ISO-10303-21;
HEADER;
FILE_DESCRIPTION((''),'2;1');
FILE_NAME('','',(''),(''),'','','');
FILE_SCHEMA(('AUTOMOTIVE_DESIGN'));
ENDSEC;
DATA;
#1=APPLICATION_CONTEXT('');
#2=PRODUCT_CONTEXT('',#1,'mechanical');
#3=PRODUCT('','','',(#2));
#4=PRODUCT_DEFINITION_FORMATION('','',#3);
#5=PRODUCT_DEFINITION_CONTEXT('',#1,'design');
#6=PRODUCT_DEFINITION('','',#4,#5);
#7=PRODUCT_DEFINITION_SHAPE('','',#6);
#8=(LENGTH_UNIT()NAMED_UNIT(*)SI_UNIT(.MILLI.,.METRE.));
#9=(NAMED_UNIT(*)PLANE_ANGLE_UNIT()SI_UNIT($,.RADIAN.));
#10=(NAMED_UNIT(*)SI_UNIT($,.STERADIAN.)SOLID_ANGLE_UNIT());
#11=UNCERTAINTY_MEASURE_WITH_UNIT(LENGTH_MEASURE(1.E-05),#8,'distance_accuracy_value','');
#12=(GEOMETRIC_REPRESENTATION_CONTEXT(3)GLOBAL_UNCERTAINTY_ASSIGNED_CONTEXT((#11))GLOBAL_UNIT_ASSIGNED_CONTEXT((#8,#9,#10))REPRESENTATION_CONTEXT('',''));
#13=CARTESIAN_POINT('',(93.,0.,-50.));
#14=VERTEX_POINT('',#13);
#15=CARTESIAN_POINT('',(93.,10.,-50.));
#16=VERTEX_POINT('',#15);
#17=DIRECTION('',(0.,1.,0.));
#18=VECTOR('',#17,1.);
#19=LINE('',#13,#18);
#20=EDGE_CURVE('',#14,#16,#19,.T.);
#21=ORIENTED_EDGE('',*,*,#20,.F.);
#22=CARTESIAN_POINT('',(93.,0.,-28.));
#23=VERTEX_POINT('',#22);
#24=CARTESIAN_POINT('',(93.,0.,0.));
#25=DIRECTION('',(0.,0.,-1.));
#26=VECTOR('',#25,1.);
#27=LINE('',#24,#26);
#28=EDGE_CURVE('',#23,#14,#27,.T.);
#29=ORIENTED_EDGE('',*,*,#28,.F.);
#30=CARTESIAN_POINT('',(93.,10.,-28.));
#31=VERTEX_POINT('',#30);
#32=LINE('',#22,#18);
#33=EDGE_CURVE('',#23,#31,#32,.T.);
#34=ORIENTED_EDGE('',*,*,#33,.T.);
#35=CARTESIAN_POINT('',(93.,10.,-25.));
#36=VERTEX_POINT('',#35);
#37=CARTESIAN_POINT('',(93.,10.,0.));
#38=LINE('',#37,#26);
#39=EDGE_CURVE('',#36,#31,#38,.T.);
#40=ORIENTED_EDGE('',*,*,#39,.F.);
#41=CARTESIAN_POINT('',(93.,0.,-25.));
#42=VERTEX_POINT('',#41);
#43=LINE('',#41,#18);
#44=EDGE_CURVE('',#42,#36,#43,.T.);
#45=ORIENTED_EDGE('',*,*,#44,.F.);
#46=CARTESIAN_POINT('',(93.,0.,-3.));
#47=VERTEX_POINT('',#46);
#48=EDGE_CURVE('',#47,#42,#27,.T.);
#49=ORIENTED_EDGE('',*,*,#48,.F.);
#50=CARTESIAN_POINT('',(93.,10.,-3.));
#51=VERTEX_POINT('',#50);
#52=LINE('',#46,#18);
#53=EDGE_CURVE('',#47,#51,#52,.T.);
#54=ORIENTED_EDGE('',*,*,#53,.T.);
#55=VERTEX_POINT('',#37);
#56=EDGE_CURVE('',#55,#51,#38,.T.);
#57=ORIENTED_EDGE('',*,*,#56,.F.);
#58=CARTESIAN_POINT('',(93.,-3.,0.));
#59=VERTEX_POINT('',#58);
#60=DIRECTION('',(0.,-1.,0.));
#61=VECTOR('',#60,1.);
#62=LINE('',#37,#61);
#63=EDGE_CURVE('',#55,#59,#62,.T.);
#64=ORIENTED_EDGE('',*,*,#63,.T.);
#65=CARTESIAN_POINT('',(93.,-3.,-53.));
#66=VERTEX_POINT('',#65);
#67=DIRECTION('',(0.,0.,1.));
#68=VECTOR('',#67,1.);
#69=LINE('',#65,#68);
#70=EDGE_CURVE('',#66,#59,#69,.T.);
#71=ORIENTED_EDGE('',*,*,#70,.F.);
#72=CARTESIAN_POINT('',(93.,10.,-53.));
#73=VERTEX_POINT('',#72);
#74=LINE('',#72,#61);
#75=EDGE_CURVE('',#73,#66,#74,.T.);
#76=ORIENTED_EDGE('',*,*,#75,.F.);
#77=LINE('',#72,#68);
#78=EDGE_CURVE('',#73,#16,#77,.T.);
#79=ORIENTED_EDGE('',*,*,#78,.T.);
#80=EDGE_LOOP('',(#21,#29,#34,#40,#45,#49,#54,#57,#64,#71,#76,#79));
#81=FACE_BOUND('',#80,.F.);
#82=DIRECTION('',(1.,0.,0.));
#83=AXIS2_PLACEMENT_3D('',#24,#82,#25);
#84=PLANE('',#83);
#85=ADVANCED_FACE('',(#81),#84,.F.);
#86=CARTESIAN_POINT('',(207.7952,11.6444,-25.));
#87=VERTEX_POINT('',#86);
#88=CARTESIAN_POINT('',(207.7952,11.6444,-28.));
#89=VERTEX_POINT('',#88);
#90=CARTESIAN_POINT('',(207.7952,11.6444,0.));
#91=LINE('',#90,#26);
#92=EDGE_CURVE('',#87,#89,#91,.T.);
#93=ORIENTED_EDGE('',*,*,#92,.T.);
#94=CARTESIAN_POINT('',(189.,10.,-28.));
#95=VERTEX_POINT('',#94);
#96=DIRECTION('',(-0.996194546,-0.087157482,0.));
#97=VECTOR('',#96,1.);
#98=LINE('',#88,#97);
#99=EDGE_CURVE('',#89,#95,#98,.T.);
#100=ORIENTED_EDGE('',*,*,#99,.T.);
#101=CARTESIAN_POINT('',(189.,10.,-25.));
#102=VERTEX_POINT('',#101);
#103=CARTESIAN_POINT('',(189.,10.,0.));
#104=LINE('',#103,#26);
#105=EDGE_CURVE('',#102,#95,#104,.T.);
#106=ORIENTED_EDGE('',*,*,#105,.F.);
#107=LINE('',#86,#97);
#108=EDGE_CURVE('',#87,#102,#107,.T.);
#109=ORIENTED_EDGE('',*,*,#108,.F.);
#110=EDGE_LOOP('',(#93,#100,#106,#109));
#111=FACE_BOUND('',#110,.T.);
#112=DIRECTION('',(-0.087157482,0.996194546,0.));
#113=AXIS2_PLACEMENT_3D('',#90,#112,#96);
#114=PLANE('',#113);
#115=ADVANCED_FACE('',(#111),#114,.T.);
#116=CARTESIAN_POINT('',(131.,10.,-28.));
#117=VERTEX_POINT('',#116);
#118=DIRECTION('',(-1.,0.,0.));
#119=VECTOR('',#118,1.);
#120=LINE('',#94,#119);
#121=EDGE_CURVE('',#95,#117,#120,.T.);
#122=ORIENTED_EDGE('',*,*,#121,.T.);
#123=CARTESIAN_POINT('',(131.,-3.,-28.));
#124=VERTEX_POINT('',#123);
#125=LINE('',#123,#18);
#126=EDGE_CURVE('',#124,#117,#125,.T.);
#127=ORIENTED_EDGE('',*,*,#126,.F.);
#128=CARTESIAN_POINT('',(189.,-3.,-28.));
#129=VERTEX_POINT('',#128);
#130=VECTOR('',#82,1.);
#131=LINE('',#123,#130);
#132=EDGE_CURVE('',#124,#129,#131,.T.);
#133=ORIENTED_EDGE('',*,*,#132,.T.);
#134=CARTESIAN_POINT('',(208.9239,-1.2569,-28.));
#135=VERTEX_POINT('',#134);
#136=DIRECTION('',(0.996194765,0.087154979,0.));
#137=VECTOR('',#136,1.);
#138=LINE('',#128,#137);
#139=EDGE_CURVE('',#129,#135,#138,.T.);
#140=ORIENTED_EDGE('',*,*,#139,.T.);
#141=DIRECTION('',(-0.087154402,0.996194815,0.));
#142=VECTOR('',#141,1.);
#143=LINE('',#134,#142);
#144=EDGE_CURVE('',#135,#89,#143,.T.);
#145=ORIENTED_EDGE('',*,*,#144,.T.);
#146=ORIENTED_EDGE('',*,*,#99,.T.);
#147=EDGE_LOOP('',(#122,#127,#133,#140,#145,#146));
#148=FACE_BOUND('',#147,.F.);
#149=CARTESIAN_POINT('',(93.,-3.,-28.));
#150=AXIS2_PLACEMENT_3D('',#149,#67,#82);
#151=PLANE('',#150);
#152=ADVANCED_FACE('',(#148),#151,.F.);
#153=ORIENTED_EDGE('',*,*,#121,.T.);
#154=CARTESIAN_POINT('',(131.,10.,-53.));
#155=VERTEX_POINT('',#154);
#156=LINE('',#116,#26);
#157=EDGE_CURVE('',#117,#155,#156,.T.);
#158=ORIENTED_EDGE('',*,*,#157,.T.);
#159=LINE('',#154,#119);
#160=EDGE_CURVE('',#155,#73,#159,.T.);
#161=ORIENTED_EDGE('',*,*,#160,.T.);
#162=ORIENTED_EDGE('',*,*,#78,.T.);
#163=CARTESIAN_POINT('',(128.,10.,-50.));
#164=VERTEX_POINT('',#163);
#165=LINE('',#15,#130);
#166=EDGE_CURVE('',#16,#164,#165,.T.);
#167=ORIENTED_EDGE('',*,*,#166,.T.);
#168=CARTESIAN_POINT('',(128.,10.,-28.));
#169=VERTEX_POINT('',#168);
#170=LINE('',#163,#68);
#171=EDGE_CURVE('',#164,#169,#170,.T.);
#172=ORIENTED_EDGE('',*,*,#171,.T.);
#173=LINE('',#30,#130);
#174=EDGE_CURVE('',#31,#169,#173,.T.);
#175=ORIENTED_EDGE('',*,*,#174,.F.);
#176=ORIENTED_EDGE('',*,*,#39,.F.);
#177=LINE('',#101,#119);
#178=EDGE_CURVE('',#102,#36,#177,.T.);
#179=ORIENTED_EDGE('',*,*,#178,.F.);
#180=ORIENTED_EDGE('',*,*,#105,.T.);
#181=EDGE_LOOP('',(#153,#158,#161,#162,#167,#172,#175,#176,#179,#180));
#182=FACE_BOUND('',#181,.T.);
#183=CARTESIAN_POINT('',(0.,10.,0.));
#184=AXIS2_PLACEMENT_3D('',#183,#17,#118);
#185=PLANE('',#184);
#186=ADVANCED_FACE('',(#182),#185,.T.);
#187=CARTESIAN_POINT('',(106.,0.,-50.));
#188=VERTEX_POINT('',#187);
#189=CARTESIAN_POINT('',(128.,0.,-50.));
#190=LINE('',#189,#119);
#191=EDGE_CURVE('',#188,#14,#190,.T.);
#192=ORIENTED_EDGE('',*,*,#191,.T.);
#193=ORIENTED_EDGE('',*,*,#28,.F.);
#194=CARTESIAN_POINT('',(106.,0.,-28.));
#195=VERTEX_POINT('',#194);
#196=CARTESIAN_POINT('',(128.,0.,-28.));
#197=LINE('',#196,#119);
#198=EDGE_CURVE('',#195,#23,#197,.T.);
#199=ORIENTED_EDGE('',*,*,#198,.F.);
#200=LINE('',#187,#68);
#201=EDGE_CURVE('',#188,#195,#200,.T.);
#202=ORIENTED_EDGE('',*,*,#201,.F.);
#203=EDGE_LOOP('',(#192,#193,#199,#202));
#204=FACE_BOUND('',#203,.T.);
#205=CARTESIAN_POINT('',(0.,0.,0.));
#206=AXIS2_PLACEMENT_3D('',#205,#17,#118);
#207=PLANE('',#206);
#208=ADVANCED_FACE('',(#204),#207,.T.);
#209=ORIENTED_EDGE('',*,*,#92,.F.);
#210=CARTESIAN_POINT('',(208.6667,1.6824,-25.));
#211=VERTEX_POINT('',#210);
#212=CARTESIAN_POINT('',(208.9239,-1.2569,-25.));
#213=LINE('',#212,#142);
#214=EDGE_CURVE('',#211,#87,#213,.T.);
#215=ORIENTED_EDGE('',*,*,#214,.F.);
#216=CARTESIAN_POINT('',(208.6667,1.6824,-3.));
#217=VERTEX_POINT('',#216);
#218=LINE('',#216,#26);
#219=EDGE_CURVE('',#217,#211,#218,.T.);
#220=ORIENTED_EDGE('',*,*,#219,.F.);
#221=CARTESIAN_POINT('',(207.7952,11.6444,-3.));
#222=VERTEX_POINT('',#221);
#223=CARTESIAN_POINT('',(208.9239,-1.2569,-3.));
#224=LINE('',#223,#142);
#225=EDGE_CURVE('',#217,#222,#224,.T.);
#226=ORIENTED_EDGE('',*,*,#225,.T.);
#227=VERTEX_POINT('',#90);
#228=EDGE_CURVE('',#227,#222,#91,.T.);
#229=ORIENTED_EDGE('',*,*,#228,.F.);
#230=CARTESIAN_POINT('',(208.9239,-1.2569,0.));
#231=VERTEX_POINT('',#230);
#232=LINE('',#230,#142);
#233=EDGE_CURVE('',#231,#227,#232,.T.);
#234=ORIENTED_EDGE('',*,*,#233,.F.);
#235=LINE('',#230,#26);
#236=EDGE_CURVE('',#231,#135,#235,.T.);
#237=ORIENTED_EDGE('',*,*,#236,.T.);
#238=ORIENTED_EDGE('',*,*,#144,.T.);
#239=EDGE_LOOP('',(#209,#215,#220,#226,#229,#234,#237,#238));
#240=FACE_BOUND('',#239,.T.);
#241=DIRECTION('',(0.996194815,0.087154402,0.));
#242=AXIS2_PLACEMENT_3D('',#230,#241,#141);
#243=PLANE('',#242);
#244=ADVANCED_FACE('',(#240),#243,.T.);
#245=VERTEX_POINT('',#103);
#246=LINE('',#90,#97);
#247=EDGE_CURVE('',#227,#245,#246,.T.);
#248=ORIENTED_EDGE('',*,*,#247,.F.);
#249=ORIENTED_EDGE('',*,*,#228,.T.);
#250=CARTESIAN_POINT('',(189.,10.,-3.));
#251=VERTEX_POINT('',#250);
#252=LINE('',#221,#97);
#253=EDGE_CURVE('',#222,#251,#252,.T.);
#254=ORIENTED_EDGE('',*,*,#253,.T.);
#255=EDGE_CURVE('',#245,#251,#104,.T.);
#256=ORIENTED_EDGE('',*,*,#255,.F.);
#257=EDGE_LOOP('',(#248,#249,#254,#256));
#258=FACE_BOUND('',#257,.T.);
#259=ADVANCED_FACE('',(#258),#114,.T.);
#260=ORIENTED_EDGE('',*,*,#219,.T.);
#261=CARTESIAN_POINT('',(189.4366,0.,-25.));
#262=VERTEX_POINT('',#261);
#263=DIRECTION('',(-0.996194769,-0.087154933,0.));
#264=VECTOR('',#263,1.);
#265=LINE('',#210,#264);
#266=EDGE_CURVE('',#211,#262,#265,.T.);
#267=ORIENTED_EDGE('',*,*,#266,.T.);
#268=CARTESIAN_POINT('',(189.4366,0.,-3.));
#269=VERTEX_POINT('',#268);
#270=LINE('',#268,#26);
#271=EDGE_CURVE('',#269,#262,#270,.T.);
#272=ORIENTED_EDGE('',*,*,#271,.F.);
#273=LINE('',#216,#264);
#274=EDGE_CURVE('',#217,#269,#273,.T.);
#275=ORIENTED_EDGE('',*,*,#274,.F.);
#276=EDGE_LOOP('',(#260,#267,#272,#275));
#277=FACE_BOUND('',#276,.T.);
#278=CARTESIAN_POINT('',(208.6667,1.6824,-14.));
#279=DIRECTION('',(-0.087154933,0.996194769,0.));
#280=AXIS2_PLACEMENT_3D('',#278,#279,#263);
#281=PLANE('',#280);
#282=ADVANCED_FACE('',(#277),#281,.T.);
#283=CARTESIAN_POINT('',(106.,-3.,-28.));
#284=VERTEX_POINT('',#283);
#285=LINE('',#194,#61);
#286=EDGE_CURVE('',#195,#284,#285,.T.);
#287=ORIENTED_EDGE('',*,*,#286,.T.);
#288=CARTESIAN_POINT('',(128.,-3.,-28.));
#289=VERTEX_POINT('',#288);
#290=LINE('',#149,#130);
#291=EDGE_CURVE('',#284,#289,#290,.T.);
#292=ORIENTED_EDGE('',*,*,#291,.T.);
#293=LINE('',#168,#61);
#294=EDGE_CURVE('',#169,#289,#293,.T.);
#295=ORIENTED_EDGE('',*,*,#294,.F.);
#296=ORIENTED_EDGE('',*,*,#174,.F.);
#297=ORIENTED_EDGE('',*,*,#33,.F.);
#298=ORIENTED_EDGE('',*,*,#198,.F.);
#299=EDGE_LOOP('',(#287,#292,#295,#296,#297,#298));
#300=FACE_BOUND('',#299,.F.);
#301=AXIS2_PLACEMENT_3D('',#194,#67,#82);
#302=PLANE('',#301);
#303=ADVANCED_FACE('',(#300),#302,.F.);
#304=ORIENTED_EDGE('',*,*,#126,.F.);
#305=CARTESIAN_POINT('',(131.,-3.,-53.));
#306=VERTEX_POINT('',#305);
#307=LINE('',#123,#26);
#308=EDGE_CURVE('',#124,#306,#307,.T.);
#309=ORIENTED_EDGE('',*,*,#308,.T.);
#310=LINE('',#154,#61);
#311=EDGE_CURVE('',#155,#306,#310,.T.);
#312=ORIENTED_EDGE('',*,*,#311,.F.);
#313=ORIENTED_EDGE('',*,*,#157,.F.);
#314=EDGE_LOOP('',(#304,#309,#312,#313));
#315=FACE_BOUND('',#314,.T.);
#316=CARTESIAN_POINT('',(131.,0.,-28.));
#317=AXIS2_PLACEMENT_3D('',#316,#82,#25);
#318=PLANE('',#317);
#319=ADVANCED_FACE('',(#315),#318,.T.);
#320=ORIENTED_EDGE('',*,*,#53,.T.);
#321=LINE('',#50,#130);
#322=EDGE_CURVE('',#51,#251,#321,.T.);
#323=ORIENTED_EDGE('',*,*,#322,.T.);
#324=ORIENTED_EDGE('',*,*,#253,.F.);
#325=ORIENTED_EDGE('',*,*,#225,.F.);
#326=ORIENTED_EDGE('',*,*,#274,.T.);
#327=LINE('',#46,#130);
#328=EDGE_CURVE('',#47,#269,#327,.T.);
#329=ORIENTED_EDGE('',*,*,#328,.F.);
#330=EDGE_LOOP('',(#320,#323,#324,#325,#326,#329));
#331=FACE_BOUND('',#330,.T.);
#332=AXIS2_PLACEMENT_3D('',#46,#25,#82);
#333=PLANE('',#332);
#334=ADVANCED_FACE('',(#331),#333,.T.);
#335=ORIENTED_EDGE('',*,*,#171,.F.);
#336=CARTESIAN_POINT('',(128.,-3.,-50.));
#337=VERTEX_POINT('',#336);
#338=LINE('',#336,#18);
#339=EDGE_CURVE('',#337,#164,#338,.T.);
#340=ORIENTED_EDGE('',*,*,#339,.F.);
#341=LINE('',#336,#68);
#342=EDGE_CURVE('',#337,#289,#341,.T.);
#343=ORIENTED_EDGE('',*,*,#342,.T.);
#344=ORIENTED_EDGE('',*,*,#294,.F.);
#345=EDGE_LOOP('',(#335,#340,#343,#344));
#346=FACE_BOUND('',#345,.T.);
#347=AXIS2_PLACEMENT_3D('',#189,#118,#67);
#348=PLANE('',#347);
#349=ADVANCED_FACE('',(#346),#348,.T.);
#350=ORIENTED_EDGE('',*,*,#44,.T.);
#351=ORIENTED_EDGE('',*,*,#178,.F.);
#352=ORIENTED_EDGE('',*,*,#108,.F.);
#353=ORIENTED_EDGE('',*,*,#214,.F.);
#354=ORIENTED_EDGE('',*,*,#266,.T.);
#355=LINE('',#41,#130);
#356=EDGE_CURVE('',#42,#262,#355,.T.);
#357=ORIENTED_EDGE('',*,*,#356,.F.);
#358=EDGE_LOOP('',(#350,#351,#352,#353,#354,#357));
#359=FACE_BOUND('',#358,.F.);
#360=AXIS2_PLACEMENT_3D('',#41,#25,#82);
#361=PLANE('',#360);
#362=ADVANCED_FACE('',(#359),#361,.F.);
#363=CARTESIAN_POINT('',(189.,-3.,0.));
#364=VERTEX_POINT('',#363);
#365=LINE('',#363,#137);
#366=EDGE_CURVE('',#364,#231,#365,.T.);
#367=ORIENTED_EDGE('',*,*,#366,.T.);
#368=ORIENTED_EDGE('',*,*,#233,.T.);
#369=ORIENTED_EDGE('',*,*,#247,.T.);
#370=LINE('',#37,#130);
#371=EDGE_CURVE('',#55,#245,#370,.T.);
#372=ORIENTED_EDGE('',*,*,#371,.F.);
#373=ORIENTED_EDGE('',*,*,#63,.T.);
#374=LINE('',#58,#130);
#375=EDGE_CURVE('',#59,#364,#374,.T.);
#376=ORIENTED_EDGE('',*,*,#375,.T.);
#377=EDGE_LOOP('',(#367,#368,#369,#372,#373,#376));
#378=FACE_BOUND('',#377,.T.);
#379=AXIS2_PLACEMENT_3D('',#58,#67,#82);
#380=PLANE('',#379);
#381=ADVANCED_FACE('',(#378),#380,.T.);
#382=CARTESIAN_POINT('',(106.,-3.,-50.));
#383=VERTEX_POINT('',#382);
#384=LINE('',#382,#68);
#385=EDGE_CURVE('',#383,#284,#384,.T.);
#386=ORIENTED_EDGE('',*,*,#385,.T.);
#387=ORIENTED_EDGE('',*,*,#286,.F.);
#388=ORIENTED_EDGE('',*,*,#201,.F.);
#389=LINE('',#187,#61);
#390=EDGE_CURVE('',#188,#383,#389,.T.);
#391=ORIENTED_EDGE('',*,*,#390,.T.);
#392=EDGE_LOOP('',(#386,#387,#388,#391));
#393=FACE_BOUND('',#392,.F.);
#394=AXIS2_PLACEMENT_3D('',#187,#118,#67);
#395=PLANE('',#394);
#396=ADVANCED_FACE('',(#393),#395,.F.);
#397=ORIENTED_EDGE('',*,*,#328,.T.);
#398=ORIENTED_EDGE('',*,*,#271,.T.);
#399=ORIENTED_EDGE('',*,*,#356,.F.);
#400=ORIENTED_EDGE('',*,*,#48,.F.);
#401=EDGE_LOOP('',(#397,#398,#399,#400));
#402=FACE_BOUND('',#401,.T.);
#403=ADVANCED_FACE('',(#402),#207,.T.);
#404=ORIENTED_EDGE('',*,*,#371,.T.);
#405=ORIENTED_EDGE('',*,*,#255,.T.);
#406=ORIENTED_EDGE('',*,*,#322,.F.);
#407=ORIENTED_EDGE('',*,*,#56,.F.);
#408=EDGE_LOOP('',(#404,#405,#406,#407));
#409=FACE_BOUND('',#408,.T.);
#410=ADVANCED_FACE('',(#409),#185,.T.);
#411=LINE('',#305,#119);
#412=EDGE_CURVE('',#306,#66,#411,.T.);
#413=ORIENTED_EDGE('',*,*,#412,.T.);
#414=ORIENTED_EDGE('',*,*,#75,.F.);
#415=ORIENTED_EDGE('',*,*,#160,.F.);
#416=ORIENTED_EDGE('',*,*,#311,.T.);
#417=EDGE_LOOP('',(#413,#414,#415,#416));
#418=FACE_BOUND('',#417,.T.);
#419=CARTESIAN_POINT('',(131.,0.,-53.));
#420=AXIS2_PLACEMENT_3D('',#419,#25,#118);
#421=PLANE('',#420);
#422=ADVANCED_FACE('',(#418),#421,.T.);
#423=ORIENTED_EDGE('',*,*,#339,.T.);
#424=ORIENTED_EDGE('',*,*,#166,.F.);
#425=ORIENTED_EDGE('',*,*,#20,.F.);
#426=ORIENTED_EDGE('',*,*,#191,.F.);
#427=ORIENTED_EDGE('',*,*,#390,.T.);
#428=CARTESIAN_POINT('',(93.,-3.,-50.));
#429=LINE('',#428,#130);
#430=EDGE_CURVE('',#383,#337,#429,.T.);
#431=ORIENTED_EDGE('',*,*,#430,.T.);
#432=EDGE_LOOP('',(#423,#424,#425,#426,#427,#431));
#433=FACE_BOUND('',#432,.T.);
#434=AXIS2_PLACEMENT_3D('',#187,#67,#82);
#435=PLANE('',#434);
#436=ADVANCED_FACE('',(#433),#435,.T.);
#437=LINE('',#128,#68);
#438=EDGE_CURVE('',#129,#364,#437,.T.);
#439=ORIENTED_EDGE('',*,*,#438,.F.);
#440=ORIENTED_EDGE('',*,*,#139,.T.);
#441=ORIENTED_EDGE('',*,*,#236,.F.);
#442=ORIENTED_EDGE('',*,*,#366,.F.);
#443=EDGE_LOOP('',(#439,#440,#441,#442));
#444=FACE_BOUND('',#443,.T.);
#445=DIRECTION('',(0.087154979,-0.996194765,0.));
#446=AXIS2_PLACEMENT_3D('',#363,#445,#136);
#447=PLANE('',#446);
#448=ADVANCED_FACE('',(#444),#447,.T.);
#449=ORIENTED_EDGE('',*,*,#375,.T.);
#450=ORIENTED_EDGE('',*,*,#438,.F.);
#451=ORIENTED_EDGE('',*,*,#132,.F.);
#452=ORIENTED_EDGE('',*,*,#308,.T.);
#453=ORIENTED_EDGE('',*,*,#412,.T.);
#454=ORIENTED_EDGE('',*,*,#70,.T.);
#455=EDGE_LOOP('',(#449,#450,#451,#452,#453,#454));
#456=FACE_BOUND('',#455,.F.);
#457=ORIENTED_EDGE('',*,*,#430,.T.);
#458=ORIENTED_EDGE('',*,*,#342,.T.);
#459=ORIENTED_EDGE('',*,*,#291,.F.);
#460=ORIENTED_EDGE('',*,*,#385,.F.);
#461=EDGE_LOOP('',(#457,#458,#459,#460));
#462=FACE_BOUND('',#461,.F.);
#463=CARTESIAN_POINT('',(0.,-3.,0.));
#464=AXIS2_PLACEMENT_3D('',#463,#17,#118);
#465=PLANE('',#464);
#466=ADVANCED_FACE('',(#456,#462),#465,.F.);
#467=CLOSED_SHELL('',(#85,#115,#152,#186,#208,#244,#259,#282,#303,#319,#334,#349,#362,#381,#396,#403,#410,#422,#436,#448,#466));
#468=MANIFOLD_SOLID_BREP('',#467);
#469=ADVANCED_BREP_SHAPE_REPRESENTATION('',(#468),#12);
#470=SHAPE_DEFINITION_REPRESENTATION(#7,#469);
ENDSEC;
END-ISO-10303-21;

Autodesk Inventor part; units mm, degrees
ref_plane "YZ Plane" through (0, 0, 0) normal (1, 0, 0) x (0, 1, 0)
ref_plane "XZ Plane" through (0, 0, 0) normal (0, 1, 0) x (-1, 0, 0)
sketch "Esboço1" plane through (0, 0, 0) normal (0, 1, 0) x (-1, 0, 0)
  line L0 (-93, -3) -> (0, -3)
  line L1 (0, -25) -> (-58, -25)
  line L2 (-93, 0) -> (-93, -28)
  line L3 (-93, -28) -> (-83, -28)
  line L4 (-55, -28) -> (0, -28)
  line L5 (0, -28) -> (0, 0)
  line L6 (0, 0) -> (-93, 0)
  line L7 (-55, -28) -> (-55, -53)
  line L8 (-55, -53) -> (-93, -53)
  line L9 (-93, -53) -> (-93, -50)
  line L10 (-93, -50) -> (-58, -50)
  line L11 (-58, -50) -> (-58, -25)
  arc A0 (-83, -50) -> (-58, -25) centre (-83, -25) ccw
  arc A1 (-83, -28) -> (-80, -25) centre (-83, -25) ccw
  line L12 (-93, -25) -> (-80, -25)
  line L13 (0, 0) -> (3, 0)
  line L14 (3, 0) -> (3, -28)
  line L15 (3, -28) -> (0, -28)
  line L16 (-83, -28) -> (-83, -25)
  line L17 (-93, -50) -> (-93, -28)
  line L18 (0, -3) -> (3, -3)
  line L19 (0, -25) -> (3, -25)
  line L20 (-93, -3) -> (-186, -3)
  line L21 (-186, -25) -> (-128, -25)
  line L22 (-131, -28) -> (-186, -28)
  line L23 (-186, -28) -> (-186, 0)
  line L24 (-186, 0) -> (-93, 0)
  line L25 (-131, -28) -> (-131, -53)
  line L26 (-131, -53) -> (-93, -53)
  line L27 (-93, -50) -> (-128, -50)
  line L28 (-128, -50) -> (-128, -25)
  line L29 (-186, 0) -> (-189, 0)
  line L30 (-189, 0) -> (-189, -28)
  line L31 (-189, -28) -> (-186, -28)
  line L32 (-186, -3) -> (-189, -3)
  line L33 (-186, -25) -> (-189, -25)
  line L34 (-93, -28) -> (-128, -28)
  line L35 (-93, -25) -> (-128, -25)
  line L36 (-106, -50) -> (-106, -28)
  point P0 (-93, -14)
  point P1 (-93, -51.5)
  point P2 (-83, -28)
  dimension "d7" = 22
  dimension "d9" = 3
  dimension "d10" = 3
  dimension "d13" = 3
  dimension "d14" = 3
  dimension "d16" = 22
  dimension "d20" = 22
  dimension "d21" = 80
  dimension "d29" = 3
  dimension "d31" = 10
  dimension "d39" = 22
extrude "Extrusão1" add sketch "Esboço1" against normal blind 3 contours L20 L23 L24 L2 | L2 L35 L21 L23 L20 | L2 L34 L28 L35 | L32 L30 L29 L23 | L23 L33 L30 L32 | L17 L27 L36 L34 | L28 L27 L9 L26 L25 L22 L23 L21 | L23 L31 L30 L33
extrude "Extrusão2" add sketch "Esboço1" along normal blind 10 contours L20 L23 L24 L2 | L2 L34 L28 L35 | L32 L30 L29 L23 | L28 L27 L9 L26 L25 L22 L23 L21 | L23 L31 L30 L33
sketch "Esboço2" plane through (93, -3, 0) normal (0, 0, 1) x (1, 0, 0)
  line L0 (0, 13) -> (96, 13) projected
  line L1 (96, 0) -> (0, 0) projected
  line L2 (96, 0) -> (115.9239, 1.7431)
  line L3 (96, 0) -> (116, 0) construction
  line L4 (115.9239, 1.7431) -> (114.7952, 14.6444)
  line L5 (114.7952, 14.6444) -> (96, 13)
  line L6 (96, 0) -> (96, 13) projected
  line L7 (96, 0) -> (96, 13)
  dimension "d32" = 20
  dimension "d33" = 5
extrude "Extrusão4" add sketch "Esboço2" against normal up to surface (28 mm away)
ref_plane "Plano de trabalho1" through (131, -3, -14) normal (0, 0, -1) x (-1, 0, 0)
sketch "Esboço3" plane through (131, -3, -14) normal (0, 0, -1) x (-1, 0, 0)
  line L0 (-76.7952, 14.6444) -> (-58, 13) projected
  line L1 (38, 13) -> (-58, 13) projected
  line L2 (-77.6667, 4.6824) -> (-58.4366, 3)
  line L3 (-58.4366, 3) -> (38, 3)
  line L4 (-77.9239, 1.7431) -> (-76.7952, 14.6444) projected
  line L5 (-76.7952, 14.6444) -> (-77.6667, 4.6824)
  line L6 (-58, 3) -> (-58, 13) projected
  line L7 (-76.7952, 14.6444) -> (-58, 13)
  line L8 (-58, 13) -> (-58, 3)
  dimension "d40" = 10
extrude "Extrusão5" cut sketch "Esboço3" along normal mid plane 22
equation "\"d9\" = mdf"
equation "\"d10\" = mdf"
equation "\"d13\" = mdf"
equation "\"d14\" = mdf"
equation "\"mdf\" = 3"
equation "\"margem\" = 1"
properties part number "Trilho 5 min"
